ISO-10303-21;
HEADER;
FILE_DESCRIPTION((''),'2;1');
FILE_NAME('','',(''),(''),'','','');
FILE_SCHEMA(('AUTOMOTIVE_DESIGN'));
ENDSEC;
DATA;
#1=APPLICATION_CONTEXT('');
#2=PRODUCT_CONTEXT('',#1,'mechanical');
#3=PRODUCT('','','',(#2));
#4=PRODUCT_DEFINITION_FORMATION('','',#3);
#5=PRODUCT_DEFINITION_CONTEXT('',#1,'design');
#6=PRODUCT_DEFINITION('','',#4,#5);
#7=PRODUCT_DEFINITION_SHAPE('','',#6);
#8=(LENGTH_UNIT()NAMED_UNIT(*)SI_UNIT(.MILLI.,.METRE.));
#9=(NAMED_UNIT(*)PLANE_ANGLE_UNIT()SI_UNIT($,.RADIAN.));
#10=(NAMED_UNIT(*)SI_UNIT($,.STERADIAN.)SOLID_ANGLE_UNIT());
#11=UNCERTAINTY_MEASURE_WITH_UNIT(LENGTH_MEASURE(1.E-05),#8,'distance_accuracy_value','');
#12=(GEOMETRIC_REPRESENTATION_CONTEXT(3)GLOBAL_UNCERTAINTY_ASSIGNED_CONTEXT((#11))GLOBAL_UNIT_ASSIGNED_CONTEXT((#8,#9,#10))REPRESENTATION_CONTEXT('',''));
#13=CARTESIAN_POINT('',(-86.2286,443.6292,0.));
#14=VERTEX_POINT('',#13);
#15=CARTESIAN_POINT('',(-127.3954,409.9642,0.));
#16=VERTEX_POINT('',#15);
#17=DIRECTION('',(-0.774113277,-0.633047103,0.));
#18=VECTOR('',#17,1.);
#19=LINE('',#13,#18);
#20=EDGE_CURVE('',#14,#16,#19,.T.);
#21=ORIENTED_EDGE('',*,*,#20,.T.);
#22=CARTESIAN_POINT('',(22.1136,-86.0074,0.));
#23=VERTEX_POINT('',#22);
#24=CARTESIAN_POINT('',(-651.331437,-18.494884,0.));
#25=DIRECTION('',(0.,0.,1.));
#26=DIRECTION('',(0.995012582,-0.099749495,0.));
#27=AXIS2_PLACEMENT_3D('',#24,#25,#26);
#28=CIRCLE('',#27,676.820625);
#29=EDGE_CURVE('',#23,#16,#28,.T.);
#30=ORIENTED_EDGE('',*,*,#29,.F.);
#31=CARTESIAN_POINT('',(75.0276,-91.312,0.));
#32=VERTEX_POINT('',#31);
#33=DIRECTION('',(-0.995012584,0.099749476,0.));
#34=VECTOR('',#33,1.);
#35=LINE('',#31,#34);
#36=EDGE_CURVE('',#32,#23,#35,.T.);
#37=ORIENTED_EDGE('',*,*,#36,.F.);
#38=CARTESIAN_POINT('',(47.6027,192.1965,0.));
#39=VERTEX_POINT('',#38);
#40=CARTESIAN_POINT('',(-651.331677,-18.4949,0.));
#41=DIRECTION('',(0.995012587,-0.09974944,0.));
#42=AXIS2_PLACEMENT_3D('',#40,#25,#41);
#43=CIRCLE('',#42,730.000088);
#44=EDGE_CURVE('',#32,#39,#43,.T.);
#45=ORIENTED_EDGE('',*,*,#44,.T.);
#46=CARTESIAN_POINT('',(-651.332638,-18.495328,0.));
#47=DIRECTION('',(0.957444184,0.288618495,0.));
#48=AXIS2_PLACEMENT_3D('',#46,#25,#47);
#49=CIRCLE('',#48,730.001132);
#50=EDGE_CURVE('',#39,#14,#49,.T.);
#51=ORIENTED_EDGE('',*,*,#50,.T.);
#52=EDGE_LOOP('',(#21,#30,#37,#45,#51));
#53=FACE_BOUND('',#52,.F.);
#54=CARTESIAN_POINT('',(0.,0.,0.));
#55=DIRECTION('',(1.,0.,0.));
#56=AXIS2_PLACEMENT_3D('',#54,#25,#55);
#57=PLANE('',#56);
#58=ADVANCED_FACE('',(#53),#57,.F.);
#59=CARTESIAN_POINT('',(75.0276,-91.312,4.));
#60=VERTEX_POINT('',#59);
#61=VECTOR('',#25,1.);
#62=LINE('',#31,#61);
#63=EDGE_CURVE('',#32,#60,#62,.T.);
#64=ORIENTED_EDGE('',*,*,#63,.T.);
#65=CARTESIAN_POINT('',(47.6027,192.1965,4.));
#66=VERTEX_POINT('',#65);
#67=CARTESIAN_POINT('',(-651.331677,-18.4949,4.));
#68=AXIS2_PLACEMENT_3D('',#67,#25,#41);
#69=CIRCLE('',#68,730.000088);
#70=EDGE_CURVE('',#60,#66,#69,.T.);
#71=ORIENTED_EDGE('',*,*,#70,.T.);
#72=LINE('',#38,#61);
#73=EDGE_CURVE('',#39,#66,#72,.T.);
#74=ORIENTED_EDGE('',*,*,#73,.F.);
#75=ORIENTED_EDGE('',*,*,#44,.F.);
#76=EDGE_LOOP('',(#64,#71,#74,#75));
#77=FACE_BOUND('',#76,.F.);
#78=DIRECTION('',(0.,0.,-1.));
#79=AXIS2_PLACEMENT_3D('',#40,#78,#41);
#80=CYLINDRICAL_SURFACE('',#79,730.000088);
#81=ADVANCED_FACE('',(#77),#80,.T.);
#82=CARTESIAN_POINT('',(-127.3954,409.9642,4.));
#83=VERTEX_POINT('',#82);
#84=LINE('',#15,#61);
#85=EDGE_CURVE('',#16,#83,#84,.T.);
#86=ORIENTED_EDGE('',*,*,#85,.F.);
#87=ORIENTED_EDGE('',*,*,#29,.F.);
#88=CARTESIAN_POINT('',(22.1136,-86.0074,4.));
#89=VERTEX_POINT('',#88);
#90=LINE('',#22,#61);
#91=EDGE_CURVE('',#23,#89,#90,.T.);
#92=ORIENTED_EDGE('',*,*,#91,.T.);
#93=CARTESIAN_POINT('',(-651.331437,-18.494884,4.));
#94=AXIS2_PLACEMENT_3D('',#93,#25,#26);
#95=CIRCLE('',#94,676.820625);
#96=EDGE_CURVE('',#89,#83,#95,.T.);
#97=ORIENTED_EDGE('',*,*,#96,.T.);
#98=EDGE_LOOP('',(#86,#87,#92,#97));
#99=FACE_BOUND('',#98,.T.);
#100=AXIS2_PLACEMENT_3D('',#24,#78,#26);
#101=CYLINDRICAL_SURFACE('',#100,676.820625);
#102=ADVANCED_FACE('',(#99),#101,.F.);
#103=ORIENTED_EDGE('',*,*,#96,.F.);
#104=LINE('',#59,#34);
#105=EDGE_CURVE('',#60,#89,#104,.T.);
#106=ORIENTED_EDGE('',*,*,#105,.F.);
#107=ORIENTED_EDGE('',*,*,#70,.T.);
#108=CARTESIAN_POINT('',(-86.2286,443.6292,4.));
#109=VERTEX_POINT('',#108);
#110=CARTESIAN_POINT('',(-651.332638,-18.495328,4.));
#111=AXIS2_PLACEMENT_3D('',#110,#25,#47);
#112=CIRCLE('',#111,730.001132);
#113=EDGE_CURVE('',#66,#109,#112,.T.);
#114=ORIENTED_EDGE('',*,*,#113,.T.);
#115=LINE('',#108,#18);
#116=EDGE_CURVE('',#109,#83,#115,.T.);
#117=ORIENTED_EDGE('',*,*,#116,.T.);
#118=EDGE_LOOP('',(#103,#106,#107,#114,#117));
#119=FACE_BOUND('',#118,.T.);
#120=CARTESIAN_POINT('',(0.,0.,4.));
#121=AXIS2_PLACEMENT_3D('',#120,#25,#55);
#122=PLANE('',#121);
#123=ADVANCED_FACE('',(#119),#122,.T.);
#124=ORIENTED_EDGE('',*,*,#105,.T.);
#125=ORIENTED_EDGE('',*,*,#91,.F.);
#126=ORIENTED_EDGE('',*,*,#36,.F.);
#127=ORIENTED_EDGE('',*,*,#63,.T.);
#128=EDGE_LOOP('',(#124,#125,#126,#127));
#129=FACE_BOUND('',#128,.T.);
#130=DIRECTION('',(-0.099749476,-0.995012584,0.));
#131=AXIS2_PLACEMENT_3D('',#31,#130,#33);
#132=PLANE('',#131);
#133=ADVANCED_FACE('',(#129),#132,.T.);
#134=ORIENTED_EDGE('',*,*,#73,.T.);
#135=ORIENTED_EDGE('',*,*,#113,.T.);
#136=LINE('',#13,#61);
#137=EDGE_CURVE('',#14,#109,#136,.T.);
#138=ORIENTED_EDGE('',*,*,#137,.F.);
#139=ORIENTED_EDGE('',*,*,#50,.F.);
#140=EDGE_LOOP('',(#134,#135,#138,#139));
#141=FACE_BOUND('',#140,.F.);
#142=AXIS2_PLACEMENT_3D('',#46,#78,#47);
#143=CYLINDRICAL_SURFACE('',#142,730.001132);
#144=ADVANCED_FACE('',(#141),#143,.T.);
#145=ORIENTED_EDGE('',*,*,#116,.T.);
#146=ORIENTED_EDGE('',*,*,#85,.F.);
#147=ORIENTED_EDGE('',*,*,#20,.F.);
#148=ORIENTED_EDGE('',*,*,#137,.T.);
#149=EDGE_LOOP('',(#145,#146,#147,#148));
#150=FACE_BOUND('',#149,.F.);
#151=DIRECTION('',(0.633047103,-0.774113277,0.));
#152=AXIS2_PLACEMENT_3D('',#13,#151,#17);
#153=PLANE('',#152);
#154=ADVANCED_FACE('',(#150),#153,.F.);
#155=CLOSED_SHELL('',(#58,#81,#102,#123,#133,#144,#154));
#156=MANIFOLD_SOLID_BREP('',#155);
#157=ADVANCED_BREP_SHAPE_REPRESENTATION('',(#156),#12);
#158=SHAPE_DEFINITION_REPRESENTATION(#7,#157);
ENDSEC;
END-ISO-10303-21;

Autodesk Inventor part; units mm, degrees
ref_plane "YZ Plane" through (0, 0, 0) normal (1, 0, 0) x (0, 1, 0)
ref_plane "XZ Plane" through (0, 0, 0) normal (0, 1, 0) x (-1, 0, 0)
ref_plane "Work Plane1" through (0, 0, 0) normal (0, 0, 1) x (1, 0, 0)
sketch "Sketch1" plane through (0, 0, 0) normal (0, 0, 1) x (1, 0, 0)
  line L0 (-507.2437, -32.9396) -> (89.7639, -92.7893) construction
  arc A0 (22.3112, -84.0063) -> (-126.1247, 408.4057) centre (-651.3316, -18.4949) ccw construction
  line L1 (-74.7461, 453.0192) -> (-539.2143, 73.1912) construction
  line L2 (46.1596, 196.9837) -> (49.0458, 187.4093) construction
  arc A1 (75.0276, -91.312) -> (47.6027, 192.1965) centre (-651.3316, -18.4949) ccw
  arc A2 (47.6027, 192.1965) -> (-86.2286, 443.6292) centre (-651.3316, -18.4949) ccw
  arc A3 (22.1136, -86.0074) -> (-127.3954, 409.9642) centre (-651.3316, -18.4949) ccw
  line L3 (75.0276, -91.312) -> (22.1136, -86.0074)
  line L4 (-86.2286, 443.6292) -> (-127.3954, 409.9642)
  point P0 (0, 0)
extrude "Extrusion1" add sketch "Sketch1" along normal blind 4
properties part number "externalSupportRear1" material "Wood (Cherry)"
